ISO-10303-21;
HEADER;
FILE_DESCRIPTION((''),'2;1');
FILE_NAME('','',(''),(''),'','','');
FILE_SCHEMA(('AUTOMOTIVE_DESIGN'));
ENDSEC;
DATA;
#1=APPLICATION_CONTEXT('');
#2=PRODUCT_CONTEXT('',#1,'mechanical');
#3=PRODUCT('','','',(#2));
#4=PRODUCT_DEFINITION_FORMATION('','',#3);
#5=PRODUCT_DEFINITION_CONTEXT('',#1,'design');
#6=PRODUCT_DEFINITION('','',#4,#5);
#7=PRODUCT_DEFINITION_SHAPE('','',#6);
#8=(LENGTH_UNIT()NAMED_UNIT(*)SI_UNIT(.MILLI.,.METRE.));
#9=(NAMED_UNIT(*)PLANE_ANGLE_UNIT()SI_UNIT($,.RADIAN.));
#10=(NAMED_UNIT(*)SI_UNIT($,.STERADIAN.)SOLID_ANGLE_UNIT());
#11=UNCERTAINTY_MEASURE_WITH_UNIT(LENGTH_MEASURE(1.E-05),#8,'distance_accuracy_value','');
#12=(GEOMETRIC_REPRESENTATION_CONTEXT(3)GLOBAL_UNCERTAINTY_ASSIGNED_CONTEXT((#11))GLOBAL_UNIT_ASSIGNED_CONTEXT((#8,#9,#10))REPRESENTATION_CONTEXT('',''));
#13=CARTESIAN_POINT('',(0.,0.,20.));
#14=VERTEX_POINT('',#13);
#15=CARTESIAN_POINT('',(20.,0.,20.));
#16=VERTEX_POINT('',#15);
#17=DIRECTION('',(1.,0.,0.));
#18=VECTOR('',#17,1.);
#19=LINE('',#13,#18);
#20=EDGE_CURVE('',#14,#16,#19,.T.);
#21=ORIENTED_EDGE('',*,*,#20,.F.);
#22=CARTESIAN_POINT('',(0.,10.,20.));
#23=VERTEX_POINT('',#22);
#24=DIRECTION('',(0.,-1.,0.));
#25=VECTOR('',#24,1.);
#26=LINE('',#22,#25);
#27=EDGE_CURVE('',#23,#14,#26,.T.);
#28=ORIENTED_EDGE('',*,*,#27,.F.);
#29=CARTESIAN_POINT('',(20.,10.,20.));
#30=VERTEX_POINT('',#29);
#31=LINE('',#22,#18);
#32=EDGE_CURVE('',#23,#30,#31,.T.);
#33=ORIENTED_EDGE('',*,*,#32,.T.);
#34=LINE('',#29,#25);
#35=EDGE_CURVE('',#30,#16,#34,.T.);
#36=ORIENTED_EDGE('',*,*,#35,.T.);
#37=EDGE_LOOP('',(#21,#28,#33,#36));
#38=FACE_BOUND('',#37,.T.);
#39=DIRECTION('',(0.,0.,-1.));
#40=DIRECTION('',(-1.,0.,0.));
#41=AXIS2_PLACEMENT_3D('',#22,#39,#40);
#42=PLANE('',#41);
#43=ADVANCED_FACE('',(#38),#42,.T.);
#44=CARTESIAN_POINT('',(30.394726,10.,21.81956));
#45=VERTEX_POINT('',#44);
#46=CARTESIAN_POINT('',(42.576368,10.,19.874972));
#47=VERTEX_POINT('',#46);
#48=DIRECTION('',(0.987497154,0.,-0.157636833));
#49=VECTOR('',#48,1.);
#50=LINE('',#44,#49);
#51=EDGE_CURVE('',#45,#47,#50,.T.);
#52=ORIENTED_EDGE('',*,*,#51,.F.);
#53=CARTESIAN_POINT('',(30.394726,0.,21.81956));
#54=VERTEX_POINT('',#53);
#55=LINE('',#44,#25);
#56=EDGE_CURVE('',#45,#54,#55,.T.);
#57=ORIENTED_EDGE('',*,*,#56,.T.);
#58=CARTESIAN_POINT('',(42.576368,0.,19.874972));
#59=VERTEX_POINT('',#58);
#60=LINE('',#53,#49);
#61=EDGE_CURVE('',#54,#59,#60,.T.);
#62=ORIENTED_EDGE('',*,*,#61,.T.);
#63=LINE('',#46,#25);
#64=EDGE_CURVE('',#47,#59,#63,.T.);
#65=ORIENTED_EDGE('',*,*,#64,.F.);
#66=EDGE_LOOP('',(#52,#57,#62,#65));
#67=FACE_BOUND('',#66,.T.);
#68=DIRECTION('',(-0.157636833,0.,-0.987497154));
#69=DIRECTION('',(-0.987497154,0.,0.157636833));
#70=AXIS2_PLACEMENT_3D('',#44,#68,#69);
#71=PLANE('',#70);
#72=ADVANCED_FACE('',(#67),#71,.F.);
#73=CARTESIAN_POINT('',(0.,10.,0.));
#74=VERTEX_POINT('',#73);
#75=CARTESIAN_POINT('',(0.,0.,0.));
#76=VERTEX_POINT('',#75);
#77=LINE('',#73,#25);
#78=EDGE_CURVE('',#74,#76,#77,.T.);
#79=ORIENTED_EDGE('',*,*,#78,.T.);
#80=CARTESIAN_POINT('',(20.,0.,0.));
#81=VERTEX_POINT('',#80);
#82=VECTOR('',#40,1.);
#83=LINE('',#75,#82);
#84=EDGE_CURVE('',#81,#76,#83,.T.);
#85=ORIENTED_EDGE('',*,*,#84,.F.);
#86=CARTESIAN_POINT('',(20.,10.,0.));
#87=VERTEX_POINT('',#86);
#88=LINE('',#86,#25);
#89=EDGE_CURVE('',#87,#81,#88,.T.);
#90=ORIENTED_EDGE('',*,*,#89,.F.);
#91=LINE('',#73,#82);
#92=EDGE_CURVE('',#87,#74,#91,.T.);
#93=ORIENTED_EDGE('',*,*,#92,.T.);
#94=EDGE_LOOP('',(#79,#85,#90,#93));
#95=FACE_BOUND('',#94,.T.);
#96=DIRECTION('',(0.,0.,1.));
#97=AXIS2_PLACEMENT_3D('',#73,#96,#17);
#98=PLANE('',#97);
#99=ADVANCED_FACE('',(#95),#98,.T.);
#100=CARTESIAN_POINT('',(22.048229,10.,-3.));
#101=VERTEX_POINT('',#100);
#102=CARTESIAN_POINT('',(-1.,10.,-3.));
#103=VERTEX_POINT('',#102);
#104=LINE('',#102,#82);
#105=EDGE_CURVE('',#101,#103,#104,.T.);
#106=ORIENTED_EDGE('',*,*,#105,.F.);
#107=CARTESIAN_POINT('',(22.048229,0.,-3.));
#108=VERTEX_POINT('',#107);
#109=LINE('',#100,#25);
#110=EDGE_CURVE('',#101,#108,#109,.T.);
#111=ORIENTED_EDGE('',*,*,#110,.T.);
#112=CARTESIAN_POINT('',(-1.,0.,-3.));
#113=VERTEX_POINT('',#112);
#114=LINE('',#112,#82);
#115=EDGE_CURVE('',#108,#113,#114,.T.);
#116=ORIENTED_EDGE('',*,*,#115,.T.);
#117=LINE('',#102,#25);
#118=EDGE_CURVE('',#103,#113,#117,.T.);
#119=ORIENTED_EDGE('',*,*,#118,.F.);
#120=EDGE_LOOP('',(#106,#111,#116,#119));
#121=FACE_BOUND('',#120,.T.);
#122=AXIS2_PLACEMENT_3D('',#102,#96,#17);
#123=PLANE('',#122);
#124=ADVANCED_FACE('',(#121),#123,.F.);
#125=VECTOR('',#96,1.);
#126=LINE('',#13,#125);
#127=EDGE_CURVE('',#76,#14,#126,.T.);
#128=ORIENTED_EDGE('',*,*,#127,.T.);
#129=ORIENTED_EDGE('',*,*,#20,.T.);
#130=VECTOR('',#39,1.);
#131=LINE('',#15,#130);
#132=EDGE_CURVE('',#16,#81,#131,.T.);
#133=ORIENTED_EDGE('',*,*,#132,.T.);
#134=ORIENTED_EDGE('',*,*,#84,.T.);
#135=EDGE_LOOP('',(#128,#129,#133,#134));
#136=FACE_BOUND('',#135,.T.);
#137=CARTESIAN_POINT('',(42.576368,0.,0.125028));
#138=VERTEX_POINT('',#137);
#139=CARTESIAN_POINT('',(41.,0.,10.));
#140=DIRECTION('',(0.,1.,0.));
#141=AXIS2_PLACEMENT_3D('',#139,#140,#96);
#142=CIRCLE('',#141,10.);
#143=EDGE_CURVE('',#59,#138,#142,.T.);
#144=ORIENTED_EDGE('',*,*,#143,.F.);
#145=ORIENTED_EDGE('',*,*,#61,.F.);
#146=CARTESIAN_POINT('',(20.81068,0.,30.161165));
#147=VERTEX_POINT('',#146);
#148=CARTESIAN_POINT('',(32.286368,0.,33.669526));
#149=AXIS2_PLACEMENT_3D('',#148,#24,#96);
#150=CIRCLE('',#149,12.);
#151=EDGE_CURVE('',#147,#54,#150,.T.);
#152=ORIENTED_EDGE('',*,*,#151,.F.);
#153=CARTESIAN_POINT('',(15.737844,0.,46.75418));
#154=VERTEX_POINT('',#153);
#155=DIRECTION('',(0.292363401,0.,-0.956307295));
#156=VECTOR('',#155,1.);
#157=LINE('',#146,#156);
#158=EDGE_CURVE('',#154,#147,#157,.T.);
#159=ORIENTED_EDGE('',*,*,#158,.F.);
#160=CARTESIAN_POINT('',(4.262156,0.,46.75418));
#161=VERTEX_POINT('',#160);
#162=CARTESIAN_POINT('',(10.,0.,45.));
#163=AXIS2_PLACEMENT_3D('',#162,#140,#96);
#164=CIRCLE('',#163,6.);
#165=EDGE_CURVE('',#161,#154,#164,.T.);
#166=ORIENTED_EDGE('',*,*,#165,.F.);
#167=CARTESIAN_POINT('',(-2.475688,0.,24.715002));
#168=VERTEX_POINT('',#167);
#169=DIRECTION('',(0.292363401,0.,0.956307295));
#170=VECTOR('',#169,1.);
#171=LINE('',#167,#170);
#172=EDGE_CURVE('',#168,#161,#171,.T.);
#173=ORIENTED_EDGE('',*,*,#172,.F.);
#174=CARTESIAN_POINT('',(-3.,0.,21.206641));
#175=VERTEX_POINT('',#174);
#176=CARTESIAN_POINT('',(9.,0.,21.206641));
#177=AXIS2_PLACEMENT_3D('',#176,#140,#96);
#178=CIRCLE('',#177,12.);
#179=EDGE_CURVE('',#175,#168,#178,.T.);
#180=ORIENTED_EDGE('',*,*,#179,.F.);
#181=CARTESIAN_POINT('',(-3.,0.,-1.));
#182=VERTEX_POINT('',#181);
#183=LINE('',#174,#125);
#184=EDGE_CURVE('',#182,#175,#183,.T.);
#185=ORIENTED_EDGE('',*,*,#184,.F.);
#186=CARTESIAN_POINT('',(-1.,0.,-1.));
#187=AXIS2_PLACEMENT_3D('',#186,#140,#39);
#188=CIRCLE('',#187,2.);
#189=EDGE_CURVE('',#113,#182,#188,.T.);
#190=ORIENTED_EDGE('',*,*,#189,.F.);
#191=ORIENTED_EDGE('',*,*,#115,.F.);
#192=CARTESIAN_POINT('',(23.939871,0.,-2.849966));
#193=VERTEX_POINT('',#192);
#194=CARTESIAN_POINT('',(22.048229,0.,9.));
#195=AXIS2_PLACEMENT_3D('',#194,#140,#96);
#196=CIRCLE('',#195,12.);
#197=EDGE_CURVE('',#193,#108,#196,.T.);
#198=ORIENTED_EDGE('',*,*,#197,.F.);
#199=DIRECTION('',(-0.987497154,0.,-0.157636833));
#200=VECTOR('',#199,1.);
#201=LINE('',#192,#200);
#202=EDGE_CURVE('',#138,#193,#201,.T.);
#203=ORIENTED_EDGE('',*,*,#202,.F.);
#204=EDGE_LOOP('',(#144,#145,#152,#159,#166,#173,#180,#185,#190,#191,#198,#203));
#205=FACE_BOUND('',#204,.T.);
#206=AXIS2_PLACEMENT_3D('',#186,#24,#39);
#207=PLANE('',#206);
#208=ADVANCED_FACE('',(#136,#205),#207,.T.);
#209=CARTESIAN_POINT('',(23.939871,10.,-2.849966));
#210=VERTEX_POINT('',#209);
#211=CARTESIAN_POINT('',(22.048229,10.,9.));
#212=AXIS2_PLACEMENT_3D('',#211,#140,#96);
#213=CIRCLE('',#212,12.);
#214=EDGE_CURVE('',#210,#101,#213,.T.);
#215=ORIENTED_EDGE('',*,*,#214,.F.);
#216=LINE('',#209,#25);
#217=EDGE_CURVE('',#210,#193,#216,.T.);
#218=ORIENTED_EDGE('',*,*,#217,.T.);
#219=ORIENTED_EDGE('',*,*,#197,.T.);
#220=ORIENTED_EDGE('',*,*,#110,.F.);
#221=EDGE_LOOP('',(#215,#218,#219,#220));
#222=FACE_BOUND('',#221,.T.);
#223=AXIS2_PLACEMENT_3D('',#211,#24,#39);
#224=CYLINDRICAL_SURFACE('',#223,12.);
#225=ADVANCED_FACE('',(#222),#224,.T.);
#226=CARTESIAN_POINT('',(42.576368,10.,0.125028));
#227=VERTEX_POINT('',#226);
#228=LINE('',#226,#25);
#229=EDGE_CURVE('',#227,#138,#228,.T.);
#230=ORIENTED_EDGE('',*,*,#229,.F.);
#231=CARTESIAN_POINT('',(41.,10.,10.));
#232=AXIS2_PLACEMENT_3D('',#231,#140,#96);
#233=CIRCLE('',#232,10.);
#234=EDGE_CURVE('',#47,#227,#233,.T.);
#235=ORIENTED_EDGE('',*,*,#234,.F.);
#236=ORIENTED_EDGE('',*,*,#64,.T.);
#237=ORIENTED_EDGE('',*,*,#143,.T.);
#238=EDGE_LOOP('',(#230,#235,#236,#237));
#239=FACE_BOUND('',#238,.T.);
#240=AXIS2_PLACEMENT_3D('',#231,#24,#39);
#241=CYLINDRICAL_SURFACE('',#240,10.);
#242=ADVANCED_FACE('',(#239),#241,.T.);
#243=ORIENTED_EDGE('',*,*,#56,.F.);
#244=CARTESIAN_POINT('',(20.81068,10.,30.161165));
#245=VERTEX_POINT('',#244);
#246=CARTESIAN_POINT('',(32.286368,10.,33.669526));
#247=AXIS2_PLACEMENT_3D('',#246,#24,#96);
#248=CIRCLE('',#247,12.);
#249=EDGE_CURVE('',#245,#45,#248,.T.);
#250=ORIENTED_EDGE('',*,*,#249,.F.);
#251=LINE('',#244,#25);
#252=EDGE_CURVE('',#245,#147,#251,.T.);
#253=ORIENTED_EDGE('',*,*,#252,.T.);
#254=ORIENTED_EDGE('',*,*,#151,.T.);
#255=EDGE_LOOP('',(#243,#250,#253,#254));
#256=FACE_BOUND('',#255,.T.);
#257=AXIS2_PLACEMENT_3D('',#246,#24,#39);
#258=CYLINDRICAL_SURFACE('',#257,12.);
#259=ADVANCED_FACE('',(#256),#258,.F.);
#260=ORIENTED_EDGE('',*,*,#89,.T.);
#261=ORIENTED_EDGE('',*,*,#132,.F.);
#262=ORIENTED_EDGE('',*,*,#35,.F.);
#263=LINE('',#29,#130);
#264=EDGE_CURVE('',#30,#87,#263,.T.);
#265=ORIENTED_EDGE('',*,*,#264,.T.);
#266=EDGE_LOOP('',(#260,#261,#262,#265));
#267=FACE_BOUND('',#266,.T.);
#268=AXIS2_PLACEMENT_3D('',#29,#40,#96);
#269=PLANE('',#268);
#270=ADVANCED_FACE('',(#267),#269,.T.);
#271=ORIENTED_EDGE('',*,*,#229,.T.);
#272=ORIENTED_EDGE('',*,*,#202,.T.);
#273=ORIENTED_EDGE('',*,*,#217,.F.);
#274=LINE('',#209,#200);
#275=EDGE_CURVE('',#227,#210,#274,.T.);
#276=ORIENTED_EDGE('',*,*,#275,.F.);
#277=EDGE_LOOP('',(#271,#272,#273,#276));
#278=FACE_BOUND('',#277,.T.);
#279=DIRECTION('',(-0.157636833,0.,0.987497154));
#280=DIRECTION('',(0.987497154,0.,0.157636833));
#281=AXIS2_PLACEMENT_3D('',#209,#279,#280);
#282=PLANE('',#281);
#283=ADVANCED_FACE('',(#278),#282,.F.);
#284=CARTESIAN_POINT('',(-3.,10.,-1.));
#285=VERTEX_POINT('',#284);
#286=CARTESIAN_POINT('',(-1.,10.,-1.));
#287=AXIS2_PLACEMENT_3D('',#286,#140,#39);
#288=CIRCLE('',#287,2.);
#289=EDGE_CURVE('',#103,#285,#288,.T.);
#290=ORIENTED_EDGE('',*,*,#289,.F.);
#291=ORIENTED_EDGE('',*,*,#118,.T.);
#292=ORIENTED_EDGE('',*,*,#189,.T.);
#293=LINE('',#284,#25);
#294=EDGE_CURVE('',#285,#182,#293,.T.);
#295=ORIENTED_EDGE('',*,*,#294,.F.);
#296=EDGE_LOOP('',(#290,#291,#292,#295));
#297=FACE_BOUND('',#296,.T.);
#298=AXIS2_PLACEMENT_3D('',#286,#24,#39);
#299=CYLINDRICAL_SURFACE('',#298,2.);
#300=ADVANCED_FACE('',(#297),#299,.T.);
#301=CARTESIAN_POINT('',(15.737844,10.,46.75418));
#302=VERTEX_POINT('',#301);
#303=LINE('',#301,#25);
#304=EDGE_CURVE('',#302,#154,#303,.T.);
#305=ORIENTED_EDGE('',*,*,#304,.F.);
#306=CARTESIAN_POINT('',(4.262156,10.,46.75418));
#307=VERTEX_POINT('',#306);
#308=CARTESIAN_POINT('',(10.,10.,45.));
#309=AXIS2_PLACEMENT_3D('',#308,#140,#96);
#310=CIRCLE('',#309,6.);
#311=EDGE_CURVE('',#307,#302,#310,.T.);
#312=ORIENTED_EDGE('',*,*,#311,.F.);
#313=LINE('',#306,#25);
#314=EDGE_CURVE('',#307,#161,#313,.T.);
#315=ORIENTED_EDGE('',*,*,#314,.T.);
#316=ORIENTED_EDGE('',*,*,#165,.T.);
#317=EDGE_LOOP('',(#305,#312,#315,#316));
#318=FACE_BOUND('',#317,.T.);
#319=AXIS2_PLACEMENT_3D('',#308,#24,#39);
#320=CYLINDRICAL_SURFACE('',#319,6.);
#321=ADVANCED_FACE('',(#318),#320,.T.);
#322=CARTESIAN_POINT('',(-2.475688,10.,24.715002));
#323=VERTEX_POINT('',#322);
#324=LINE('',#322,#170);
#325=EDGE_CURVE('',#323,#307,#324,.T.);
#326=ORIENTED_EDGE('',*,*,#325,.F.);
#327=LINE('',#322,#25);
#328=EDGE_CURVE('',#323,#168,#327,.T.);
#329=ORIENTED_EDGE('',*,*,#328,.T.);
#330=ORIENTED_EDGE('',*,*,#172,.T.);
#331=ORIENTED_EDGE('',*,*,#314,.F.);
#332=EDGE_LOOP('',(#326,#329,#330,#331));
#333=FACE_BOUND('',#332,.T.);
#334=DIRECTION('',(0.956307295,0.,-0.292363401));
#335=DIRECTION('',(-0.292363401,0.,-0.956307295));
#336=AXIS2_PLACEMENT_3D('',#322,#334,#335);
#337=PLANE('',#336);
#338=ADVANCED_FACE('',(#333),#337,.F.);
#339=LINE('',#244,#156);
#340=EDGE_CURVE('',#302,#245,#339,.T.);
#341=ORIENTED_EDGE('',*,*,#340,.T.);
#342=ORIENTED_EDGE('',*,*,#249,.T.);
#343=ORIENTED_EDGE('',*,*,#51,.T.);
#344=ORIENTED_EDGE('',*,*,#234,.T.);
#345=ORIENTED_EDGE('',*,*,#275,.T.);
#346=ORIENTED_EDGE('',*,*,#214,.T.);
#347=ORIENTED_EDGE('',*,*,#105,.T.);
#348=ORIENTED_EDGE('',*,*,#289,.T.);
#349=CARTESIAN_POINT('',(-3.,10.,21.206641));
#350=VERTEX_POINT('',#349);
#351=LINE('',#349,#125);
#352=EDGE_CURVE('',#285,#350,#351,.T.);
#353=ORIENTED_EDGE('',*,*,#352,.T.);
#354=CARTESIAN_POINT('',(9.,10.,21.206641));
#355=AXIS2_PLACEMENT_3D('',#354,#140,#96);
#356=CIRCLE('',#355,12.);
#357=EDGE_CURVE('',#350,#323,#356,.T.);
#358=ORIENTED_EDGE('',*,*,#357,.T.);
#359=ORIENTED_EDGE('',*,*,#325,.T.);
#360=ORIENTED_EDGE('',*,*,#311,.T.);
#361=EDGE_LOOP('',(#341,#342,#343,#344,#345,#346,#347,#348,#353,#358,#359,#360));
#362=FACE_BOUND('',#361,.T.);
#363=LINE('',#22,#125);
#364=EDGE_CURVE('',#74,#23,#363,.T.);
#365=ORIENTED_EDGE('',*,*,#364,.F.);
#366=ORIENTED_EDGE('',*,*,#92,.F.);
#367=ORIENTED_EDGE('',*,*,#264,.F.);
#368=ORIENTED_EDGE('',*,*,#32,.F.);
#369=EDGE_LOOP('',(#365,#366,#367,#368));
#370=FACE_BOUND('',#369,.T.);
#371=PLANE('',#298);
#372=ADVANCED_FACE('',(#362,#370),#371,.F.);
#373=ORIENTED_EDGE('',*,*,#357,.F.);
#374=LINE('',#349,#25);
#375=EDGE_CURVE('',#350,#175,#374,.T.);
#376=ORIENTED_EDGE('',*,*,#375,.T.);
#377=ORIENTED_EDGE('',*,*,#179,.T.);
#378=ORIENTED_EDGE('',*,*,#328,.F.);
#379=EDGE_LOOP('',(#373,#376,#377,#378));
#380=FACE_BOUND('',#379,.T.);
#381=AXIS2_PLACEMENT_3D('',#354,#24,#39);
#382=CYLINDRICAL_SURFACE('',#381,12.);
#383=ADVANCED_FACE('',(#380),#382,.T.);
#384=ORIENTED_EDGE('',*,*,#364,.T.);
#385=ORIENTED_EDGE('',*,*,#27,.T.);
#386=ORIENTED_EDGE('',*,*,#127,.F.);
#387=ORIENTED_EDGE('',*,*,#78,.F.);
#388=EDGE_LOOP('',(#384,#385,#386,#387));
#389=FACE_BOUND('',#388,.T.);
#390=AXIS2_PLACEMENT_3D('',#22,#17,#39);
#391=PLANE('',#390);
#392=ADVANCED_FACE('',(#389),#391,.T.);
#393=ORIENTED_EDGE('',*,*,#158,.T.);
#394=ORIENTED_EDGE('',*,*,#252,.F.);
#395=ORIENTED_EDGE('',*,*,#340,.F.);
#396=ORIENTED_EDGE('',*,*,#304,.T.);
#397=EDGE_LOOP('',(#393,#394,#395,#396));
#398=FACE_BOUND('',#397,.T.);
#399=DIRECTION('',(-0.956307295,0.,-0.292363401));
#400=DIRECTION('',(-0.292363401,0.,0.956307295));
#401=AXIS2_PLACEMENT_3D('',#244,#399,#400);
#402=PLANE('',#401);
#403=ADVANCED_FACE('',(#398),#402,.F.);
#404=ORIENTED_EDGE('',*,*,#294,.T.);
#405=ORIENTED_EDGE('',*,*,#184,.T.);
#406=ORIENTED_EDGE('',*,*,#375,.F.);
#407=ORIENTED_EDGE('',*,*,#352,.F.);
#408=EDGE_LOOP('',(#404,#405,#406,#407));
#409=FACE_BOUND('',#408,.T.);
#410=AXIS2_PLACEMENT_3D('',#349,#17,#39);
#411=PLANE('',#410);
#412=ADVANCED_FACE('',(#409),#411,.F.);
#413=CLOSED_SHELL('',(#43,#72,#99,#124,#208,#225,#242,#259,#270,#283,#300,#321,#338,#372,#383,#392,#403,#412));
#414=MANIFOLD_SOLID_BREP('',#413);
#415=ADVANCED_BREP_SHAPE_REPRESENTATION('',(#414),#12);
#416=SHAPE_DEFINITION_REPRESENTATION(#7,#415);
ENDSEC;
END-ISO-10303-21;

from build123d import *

# Parameters (mm, degrees)
SKETCH1_W           = 20
SKETCH1_H           = 20
BOSS_EXTRUDE1_DEPTH = 10


with BuildPart() as part:
    # Sketch1 → Boss-Extrude1 (new body)
    with BuildSketch(Plane(origin=(0, 0, 0), x_dir=(1, 0, 0), z_dir=(0, 1, 0))):
        with BuildLine():
            Line((23.939871077, 2.849965846), (42.576368333, -0.125028462))
            ThreePointArc((42.576368333, -0.125028462), (51, -10), (42.576368333, -19.874971538))
            Line((42.576368333, -19.874971538), (30.394725659, -21.819560004))
            ThreePointArc((30.394725659, -21.819560004), (24.408108439, -24.617839175), (20.810680125, -30.161165034))
            Line((20.810680125, -30.161165034), (15.737843767, -46.754180408))
            ThreePointArc((15.737843767, -46.754180408), (10, -51), (4.262156233, -46.754180408))
            Line((4.262156233, -46.754180408), (-2.475687534, -24.71500206))
            ThreePointArc((-2.475687534, -24.71500206), (-2.868198061, -22.980302653), (-3, -21.206641244))
            Line((-3, -21.206641244), (-3, 1))
            ThreePointArc((-3, 1), (-2.414213562, 2.414213562), (-1, 3))
            Line((-1, 3), (22.048229077, 3))
            ThreePointArc((22.048229077, 3), (22.997020375, 2.962432657), (23.939871077, 2.849965846))
        make_face()
        with Locations((10, -10)):
            Rectangle(SKETCH1_W, SKETCH1_H, mode=Mode.SUBTRACT)
    extrude(amount=BOSS_EXTRUDE1_DEPTH)


solid = part.part
